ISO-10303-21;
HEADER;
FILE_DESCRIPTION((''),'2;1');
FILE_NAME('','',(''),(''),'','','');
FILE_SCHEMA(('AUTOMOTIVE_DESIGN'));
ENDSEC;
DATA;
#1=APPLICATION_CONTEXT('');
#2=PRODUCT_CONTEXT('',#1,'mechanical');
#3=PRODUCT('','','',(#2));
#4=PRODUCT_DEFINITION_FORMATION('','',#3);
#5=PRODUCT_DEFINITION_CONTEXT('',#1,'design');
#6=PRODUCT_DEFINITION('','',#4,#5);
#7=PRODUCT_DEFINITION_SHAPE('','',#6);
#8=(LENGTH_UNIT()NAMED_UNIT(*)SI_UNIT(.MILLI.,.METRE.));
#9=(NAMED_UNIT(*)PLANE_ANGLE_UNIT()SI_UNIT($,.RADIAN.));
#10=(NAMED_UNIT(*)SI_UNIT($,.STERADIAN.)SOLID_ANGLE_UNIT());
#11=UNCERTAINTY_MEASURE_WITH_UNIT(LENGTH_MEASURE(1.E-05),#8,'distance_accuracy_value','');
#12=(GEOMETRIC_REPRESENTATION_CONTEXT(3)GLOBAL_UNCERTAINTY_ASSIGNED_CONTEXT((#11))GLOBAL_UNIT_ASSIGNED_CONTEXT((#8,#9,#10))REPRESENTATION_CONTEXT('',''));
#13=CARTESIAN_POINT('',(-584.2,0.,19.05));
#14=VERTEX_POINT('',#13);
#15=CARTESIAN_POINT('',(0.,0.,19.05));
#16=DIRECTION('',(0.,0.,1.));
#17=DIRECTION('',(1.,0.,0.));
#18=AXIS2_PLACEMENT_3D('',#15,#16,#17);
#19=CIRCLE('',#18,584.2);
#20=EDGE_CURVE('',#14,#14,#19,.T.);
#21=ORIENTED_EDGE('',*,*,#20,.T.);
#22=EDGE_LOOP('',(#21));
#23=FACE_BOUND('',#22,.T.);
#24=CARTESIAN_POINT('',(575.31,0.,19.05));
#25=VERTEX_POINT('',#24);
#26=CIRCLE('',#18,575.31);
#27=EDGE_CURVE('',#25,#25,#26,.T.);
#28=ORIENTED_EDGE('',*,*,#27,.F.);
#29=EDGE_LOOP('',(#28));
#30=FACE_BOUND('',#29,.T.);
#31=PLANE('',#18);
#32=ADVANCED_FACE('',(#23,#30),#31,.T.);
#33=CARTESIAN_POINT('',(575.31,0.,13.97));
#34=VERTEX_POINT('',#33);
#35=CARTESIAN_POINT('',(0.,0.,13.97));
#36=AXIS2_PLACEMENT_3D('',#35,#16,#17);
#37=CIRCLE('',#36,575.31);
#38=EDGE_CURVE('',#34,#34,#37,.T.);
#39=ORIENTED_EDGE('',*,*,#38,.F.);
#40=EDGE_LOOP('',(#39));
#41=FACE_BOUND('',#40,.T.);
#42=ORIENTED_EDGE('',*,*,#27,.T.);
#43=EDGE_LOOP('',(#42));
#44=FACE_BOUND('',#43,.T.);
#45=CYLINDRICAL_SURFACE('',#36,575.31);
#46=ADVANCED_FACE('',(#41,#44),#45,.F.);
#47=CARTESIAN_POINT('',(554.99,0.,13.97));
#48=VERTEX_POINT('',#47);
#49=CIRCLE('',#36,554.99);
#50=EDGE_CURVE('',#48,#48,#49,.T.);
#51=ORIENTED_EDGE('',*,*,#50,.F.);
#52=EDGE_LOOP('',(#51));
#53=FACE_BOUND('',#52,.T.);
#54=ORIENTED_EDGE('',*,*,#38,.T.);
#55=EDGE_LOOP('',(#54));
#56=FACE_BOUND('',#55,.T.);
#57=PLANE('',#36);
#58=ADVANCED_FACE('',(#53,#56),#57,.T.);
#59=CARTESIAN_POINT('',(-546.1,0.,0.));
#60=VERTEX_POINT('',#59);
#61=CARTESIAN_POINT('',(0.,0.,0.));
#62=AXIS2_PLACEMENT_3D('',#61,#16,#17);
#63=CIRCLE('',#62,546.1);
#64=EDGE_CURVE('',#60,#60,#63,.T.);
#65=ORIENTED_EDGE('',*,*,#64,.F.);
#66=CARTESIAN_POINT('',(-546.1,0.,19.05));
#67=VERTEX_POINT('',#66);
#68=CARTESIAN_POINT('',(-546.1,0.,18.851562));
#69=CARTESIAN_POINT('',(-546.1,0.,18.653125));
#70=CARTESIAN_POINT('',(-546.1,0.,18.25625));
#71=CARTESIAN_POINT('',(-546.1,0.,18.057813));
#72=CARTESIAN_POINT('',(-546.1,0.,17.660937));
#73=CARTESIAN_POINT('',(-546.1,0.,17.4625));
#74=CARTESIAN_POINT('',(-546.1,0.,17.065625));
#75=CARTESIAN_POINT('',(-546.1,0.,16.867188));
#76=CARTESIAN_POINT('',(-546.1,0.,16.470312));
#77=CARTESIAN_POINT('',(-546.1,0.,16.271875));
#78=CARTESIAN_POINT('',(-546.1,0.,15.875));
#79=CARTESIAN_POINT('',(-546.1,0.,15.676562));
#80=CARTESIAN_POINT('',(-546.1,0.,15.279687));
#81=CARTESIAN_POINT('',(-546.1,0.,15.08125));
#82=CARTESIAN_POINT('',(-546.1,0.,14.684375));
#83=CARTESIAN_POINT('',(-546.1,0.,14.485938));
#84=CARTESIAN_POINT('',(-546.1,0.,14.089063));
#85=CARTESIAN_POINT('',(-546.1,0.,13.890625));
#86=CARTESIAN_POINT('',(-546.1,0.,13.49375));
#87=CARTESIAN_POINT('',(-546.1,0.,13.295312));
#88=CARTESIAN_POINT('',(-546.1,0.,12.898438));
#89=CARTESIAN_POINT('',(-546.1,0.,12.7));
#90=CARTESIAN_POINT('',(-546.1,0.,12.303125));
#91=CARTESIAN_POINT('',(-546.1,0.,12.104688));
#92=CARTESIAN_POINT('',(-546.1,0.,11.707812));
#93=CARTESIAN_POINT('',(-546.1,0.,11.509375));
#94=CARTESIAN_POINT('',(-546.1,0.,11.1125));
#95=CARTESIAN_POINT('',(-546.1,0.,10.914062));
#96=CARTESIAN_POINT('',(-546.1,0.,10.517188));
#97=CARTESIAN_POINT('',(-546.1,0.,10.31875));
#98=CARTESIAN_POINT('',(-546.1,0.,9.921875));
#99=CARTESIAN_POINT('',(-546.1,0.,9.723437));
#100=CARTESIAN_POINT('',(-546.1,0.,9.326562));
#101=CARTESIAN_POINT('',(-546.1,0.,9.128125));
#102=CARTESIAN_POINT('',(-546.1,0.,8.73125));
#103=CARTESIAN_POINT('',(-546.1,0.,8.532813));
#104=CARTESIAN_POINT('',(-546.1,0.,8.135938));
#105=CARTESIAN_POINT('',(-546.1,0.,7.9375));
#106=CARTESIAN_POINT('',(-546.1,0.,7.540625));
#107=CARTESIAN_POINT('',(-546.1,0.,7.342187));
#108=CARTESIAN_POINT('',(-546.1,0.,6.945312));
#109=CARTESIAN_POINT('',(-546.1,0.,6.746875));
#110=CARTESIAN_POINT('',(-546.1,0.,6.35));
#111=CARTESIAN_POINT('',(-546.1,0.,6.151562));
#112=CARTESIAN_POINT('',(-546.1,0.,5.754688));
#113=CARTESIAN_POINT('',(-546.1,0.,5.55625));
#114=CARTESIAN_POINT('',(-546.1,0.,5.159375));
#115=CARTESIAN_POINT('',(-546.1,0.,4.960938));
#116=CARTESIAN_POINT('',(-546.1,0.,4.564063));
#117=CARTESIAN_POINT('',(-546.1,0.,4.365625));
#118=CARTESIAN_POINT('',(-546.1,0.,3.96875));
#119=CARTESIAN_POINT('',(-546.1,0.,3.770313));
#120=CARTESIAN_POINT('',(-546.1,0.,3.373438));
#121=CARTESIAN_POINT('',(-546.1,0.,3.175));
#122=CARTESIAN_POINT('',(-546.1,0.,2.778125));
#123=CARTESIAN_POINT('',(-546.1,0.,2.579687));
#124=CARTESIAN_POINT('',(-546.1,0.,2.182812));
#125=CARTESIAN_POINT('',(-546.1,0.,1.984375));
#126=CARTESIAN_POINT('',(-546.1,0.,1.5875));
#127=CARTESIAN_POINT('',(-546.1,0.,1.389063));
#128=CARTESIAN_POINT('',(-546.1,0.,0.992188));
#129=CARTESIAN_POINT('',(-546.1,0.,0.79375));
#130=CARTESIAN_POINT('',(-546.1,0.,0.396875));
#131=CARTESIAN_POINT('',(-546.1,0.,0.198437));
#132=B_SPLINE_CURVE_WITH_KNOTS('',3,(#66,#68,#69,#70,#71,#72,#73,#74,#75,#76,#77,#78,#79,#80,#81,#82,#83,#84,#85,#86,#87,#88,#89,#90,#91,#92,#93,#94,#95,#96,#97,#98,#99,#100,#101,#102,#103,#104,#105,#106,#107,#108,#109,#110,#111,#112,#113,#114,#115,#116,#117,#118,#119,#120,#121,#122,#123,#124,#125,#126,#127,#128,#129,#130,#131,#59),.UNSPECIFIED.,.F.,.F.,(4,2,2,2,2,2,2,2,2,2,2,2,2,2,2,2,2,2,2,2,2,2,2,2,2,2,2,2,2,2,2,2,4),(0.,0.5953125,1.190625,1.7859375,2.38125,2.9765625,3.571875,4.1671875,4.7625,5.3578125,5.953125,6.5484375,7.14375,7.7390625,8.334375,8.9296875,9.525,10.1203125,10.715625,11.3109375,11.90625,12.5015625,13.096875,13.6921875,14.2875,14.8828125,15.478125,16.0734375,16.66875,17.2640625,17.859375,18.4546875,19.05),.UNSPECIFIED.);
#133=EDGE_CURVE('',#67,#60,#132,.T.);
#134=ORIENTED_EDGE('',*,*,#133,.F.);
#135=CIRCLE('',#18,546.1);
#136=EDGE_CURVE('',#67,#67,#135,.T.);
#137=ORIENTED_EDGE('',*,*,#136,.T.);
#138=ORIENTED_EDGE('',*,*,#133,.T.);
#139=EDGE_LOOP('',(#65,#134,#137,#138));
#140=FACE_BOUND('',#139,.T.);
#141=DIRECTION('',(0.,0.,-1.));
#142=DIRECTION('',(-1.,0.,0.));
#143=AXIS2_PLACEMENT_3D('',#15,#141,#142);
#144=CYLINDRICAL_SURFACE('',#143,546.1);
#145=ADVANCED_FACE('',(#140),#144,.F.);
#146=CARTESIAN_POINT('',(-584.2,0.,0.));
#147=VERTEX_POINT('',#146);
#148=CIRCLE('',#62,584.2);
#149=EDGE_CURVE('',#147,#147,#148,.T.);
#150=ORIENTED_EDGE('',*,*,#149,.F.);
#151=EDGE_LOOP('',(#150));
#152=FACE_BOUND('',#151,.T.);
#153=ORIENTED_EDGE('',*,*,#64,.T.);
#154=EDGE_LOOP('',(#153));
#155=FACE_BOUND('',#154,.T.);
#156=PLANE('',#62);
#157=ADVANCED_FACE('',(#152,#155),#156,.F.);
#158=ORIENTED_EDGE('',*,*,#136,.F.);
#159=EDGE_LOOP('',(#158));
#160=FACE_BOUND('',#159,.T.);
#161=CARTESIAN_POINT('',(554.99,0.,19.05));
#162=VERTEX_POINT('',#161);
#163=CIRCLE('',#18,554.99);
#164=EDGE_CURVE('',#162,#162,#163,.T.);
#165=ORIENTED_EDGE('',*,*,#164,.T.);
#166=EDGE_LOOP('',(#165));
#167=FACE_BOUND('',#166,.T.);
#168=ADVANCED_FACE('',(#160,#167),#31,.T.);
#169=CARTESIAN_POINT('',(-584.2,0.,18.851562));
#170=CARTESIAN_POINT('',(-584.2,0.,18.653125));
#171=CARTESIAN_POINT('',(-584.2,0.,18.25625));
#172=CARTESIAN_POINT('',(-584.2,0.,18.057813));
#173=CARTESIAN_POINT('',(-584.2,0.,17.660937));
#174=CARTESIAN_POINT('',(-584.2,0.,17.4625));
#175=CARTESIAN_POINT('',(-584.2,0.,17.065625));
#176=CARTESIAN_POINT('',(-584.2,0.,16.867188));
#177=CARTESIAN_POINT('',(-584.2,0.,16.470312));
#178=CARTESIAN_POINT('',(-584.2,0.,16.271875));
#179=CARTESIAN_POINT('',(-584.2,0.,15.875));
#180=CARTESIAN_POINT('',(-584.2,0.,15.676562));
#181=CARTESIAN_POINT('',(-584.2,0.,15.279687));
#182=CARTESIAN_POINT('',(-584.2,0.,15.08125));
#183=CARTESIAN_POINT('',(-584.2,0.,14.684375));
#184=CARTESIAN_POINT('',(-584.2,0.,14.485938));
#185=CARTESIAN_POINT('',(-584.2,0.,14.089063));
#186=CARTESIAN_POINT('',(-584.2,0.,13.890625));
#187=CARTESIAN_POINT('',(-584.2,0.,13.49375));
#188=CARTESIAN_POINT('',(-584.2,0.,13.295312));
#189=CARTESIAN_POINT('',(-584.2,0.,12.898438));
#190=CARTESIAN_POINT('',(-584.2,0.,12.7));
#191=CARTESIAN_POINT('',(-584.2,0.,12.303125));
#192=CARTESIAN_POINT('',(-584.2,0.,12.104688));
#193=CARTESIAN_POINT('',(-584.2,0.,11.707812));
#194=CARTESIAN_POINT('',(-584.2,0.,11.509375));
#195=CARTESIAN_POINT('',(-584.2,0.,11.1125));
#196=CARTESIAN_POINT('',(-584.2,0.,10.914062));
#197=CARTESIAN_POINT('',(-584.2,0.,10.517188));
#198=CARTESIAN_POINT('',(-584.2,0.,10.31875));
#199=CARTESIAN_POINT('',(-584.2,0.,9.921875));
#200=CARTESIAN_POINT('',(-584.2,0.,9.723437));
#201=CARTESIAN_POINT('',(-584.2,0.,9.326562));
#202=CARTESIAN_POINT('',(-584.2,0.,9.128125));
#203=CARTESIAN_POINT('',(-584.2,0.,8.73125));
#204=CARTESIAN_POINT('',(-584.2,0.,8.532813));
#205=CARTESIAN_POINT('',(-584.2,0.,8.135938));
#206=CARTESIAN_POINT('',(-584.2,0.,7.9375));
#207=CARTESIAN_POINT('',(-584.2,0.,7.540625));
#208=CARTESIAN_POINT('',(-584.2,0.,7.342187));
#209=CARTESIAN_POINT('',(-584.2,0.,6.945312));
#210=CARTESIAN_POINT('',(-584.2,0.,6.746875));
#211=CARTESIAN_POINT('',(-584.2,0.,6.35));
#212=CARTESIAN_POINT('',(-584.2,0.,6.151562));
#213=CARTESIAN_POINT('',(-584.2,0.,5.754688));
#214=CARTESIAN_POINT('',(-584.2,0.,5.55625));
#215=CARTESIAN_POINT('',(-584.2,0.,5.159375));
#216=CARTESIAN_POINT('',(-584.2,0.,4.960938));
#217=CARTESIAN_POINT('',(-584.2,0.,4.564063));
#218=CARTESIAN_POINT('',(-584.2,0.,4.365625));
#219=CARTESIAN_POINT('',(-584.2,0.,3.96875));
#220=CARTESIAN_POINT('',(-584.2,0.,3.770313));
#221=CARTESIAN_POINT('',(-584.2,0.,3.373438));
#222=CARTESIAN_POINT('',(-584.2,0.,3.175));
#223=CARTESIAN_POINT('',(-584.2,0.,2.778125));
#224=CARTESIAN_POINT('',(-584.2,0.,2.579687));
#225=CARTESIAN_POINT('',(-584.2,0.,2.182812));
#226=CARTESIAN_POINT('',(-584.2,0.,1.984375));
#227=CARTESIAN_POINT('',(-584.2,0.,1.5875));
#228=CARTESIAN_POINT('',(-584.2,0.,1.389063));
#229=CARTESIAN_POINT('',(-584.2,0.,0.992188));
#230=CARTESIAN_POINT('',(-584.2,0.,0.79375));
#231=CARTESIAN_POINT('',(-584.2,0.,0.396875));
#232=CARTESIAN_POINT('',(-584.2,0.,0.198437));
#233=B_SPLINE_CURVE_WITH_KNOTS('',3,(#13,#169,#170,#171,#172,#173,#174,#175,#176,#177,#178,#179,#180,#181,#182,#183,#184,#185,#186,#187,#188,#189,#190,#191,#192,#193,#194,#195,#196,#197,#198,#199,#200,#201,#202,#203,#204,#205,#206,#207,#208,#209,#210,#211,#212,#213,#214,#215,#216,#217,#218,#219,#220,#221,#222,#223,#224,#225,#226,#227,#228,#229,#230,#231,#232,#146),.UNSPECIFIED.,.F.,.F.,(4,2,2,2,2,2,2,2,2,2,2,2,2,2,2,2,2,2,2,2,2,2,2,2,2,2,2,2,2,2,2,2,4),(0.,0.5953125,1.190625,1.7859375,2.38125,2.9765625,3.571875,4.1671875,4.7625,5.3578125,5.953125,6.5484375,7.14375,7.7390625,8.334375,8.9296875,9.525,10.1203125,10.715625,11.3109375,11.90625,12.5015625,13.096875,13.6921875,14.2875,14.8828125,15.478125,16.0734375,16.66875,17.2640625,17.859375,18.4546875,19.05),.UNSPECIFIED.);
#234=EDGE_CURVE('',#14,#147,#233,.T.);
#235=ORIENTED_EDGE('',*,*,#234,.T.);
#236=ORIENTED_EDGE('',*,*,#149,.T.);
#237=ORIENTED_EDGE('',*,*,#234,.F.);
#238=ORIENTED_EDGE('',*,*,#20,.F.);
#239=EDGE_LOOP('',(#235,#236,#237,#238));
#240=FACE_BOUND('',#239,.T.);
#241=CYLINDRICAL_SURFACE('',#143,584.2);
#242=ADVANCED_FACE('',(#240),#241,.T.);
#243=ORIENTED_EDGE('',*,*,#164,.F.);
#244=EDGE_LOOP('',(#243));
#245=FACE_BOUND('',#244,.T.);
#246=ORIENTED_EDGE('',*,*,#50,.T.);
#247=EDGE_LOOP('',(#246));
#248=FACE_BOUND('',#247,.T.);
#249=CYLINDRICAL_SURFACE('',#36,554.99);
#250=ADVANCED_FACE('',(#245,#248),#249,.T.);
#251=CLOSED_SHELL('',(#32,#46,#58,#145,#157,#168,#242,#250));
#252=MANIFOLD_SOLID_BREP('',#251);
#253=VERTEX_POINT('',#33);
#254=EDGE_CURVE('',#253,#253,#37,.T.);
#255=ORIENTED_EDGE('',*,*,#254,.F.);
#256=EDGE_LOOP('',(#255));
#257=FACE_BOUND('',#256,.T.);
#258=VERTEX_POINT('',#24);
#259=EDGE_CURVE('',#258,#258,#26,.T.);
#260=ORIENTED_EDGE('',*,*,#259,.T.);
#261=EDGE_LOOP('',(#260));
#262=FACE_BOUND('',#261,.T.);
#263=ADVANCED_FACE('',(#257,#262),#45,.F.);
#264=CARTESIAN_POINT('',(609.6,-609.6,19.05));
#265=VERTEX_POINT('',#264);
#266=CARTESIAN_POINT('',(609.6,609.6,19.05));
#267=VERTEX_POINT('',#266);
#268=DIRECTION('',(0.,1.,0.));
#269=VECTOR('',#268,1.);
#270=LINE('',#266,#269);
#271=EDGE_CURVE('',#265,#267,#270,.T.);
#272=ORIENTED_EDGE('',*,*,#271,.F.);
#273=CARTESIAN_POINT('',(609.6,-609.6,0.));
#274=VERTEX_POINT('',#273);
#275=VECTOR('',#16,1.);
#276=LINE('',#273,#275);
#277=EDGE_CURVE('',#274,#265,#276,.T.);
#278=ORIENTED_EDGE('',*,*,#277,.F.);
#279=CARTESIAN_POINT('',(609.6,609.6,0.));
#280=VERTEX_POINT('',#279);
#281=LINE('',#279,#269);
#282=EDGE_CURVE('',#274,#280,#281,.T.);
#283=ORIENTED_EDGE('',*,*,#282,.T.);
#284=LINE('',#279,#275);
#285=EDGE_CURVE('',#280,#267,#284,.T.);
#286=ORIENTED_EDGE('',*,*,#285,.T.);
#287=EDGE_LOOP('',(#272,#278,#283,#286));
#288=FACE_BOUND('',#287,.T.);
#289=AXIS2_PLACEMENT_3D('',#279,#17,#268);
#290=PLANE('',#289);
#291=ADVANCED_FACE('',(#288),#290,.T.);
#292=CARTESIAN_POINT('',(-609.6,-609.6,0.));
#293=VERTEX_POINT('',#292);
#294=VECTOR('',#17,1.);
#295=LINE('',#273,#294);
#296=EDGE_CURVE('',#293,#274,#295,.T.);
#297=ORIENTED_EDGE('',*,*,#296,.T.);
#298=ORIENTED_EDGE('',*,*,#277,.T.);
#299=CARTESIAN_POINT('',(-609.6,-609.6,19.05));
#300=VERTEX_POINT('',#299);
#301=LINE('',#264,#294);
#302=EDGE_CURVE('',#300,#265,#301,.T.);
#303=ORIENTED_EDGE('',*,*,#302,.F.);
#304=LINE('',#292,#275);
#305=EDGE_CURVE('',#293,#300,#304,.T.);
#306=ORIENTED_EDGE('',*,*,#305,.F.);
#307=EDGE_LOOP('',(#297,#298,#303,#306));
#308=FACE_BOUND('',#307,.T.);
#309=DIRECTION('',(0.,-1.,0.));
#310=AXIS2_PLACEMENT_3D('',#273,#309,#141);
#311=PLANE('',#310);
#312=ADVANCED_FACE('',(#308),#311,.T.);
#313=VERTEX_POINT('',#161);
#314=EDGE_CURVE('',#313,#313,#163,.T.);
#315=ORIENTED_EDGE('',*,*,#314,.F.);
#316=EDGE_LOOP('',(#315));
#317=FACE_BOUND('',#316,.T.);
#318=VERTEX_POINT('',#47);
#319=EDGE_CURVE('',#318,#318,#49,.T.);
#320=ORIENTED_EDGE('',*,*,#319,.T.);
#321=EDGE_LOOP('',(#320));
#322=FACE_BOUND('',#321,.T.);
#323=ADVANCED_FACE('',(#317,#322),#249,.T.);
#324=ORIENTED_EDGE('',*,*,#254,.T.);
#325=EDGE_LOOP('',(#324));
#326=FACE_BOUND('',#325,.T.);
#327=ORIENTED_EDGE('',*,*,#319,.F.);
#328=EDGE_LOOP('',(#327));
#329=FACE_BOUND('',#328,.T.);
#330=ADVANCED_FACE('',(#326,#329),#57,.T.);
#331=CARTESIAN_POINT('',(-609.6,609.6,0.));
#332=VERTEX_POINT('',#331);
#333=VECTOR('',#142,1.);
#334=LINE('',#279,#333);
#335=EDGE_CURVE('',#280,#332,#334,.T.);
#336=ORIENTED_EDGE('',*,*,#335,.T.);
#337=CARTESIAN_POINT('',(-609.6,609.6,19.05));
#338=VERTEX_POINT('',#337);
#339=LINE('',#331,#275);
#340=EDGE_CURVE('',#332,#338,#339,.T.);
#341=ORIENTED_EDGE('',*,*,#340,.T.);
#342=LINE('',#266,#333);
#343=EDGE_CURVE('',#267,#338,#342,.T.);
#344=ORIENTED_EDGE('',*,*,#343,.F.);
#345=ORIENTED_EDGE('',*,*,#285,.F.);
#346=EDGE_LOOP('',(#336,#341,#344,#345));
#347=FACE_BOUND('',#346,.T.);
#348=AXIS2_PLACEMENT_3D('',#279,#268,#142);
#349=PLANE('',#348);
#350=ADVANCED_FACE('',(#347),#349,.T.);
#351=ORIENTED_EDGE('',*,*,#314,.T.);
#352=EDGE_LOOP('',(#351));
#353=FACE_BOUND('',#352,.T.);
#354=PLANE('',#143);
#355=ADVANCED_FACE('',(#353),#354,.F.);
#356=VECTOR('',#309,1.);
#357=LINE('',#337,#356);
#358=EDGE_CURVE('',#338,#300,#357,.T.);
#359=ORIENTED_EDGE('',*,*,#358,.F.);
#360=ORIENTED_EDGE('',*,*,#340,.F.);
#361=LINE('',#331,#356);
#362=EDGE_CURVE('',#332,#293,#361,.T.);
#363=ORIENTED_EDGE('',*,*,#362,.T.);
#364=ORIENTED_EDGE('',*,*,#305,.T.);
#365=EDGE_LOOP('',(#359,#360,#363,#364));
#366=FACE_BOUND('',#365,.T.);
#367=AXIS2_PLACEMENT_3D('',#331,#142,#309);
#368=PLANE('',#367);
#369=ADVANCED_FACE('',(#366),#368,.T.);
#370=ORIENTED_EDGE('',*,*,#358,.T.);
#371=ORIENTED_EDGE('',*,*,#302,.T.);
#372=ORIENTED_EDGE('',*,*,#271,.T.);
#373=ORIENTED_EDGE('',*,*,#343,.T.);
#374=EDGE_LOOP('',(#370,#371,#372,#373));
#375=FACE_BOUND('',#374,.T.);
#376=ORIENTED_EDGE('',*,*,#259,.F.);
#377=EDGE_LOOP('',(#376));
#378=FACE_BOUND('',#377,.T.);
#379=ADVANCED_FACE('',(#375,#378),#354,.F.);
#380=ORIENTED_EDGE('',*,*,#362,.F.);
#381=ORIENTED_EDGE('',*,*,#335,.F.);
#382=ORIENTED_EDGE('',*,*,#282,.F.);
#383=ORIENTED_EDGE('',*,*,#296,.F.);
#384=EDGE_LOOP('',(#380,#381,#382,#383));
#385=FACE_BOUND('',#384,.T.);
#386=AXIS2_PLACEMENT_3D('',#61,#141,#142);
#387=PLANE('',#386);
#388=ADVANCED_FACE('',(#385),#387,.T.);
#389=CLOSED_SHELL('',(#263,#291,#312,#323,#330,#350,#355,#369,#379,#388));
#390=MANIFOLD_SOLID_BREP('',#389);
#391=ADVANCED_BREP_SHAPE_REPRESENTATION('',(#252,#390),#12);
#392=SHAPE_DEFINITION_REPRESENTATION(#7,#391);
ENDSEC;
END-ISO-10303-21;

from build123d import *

# Parameters (mm, degrees)
SKETCH2_R           = 584.2
SKETCH2_R_2         = 546.1
BOSS_EXTRUDE1_DEPTH = 19.05
SKETCH3_W           = 1219.2
SKETCH3_H           = 1219.2
STOCK_DEPTH         = 19.05
SKETCH5_R           = 575.31
SKETCH5_R_2         = 554.99
CUT_EXTRUDE1_DEPTH  = 5.08


with BuildPart() as part:
    # Sketch2 → Boss-Extrude1 (new body)
    with BuildSketch(Plane.XY):
        with Locations(Location((0, 0, 0), (0, 0, 180))):
            Circle(SKETCH2_R)
        with Locations(Location((0, 0, 0), (0, 0, 180))):
            Circle(SKETCH2_R_2, mode=Mode.SUBTRACT)
    extrude(amount=BOSS_EXTRUDE1_DEPTH)


with BuildPart() as body_2:
    # Sketch3 → Stock (new body)
    with BuildSketch(Plane.XY.offset(19.05)):
        Rectangle(SKETCH3_W, SKETCH3_H)
    extrude(amount=-STOCK_DEPTH)


with BuildPart() as cut_extrude1_tool:
    # Sketch5 → Cut-Extrude1 (new body)
    with BuildSketch(Plane.XY.offset(19.05)):
        Circle(SKETCH5_R)
        Circle(SKETCH5_R_2, mode=Mode.SUBTRACT)
    extrude(amount=-CUT_EXTRUDE1_DEPTH)


with BuildPart() as part_1:
    add(part.part)

    # Cut-Extrude1: cut by cut_extrude1_tool
    add(cut_extrude1_tool.part, mode=Mode.SUBTRACT)


with BuildPart() as body_2_1:
    add(body_2.part)

    # Cut-Extrude1: cut by cut_extrude1_tool
    add(cut_extrude1_tool.part, mode=Mode.SUBTRACT)


solid = Compound([part_1.part, body_2_1.part])
